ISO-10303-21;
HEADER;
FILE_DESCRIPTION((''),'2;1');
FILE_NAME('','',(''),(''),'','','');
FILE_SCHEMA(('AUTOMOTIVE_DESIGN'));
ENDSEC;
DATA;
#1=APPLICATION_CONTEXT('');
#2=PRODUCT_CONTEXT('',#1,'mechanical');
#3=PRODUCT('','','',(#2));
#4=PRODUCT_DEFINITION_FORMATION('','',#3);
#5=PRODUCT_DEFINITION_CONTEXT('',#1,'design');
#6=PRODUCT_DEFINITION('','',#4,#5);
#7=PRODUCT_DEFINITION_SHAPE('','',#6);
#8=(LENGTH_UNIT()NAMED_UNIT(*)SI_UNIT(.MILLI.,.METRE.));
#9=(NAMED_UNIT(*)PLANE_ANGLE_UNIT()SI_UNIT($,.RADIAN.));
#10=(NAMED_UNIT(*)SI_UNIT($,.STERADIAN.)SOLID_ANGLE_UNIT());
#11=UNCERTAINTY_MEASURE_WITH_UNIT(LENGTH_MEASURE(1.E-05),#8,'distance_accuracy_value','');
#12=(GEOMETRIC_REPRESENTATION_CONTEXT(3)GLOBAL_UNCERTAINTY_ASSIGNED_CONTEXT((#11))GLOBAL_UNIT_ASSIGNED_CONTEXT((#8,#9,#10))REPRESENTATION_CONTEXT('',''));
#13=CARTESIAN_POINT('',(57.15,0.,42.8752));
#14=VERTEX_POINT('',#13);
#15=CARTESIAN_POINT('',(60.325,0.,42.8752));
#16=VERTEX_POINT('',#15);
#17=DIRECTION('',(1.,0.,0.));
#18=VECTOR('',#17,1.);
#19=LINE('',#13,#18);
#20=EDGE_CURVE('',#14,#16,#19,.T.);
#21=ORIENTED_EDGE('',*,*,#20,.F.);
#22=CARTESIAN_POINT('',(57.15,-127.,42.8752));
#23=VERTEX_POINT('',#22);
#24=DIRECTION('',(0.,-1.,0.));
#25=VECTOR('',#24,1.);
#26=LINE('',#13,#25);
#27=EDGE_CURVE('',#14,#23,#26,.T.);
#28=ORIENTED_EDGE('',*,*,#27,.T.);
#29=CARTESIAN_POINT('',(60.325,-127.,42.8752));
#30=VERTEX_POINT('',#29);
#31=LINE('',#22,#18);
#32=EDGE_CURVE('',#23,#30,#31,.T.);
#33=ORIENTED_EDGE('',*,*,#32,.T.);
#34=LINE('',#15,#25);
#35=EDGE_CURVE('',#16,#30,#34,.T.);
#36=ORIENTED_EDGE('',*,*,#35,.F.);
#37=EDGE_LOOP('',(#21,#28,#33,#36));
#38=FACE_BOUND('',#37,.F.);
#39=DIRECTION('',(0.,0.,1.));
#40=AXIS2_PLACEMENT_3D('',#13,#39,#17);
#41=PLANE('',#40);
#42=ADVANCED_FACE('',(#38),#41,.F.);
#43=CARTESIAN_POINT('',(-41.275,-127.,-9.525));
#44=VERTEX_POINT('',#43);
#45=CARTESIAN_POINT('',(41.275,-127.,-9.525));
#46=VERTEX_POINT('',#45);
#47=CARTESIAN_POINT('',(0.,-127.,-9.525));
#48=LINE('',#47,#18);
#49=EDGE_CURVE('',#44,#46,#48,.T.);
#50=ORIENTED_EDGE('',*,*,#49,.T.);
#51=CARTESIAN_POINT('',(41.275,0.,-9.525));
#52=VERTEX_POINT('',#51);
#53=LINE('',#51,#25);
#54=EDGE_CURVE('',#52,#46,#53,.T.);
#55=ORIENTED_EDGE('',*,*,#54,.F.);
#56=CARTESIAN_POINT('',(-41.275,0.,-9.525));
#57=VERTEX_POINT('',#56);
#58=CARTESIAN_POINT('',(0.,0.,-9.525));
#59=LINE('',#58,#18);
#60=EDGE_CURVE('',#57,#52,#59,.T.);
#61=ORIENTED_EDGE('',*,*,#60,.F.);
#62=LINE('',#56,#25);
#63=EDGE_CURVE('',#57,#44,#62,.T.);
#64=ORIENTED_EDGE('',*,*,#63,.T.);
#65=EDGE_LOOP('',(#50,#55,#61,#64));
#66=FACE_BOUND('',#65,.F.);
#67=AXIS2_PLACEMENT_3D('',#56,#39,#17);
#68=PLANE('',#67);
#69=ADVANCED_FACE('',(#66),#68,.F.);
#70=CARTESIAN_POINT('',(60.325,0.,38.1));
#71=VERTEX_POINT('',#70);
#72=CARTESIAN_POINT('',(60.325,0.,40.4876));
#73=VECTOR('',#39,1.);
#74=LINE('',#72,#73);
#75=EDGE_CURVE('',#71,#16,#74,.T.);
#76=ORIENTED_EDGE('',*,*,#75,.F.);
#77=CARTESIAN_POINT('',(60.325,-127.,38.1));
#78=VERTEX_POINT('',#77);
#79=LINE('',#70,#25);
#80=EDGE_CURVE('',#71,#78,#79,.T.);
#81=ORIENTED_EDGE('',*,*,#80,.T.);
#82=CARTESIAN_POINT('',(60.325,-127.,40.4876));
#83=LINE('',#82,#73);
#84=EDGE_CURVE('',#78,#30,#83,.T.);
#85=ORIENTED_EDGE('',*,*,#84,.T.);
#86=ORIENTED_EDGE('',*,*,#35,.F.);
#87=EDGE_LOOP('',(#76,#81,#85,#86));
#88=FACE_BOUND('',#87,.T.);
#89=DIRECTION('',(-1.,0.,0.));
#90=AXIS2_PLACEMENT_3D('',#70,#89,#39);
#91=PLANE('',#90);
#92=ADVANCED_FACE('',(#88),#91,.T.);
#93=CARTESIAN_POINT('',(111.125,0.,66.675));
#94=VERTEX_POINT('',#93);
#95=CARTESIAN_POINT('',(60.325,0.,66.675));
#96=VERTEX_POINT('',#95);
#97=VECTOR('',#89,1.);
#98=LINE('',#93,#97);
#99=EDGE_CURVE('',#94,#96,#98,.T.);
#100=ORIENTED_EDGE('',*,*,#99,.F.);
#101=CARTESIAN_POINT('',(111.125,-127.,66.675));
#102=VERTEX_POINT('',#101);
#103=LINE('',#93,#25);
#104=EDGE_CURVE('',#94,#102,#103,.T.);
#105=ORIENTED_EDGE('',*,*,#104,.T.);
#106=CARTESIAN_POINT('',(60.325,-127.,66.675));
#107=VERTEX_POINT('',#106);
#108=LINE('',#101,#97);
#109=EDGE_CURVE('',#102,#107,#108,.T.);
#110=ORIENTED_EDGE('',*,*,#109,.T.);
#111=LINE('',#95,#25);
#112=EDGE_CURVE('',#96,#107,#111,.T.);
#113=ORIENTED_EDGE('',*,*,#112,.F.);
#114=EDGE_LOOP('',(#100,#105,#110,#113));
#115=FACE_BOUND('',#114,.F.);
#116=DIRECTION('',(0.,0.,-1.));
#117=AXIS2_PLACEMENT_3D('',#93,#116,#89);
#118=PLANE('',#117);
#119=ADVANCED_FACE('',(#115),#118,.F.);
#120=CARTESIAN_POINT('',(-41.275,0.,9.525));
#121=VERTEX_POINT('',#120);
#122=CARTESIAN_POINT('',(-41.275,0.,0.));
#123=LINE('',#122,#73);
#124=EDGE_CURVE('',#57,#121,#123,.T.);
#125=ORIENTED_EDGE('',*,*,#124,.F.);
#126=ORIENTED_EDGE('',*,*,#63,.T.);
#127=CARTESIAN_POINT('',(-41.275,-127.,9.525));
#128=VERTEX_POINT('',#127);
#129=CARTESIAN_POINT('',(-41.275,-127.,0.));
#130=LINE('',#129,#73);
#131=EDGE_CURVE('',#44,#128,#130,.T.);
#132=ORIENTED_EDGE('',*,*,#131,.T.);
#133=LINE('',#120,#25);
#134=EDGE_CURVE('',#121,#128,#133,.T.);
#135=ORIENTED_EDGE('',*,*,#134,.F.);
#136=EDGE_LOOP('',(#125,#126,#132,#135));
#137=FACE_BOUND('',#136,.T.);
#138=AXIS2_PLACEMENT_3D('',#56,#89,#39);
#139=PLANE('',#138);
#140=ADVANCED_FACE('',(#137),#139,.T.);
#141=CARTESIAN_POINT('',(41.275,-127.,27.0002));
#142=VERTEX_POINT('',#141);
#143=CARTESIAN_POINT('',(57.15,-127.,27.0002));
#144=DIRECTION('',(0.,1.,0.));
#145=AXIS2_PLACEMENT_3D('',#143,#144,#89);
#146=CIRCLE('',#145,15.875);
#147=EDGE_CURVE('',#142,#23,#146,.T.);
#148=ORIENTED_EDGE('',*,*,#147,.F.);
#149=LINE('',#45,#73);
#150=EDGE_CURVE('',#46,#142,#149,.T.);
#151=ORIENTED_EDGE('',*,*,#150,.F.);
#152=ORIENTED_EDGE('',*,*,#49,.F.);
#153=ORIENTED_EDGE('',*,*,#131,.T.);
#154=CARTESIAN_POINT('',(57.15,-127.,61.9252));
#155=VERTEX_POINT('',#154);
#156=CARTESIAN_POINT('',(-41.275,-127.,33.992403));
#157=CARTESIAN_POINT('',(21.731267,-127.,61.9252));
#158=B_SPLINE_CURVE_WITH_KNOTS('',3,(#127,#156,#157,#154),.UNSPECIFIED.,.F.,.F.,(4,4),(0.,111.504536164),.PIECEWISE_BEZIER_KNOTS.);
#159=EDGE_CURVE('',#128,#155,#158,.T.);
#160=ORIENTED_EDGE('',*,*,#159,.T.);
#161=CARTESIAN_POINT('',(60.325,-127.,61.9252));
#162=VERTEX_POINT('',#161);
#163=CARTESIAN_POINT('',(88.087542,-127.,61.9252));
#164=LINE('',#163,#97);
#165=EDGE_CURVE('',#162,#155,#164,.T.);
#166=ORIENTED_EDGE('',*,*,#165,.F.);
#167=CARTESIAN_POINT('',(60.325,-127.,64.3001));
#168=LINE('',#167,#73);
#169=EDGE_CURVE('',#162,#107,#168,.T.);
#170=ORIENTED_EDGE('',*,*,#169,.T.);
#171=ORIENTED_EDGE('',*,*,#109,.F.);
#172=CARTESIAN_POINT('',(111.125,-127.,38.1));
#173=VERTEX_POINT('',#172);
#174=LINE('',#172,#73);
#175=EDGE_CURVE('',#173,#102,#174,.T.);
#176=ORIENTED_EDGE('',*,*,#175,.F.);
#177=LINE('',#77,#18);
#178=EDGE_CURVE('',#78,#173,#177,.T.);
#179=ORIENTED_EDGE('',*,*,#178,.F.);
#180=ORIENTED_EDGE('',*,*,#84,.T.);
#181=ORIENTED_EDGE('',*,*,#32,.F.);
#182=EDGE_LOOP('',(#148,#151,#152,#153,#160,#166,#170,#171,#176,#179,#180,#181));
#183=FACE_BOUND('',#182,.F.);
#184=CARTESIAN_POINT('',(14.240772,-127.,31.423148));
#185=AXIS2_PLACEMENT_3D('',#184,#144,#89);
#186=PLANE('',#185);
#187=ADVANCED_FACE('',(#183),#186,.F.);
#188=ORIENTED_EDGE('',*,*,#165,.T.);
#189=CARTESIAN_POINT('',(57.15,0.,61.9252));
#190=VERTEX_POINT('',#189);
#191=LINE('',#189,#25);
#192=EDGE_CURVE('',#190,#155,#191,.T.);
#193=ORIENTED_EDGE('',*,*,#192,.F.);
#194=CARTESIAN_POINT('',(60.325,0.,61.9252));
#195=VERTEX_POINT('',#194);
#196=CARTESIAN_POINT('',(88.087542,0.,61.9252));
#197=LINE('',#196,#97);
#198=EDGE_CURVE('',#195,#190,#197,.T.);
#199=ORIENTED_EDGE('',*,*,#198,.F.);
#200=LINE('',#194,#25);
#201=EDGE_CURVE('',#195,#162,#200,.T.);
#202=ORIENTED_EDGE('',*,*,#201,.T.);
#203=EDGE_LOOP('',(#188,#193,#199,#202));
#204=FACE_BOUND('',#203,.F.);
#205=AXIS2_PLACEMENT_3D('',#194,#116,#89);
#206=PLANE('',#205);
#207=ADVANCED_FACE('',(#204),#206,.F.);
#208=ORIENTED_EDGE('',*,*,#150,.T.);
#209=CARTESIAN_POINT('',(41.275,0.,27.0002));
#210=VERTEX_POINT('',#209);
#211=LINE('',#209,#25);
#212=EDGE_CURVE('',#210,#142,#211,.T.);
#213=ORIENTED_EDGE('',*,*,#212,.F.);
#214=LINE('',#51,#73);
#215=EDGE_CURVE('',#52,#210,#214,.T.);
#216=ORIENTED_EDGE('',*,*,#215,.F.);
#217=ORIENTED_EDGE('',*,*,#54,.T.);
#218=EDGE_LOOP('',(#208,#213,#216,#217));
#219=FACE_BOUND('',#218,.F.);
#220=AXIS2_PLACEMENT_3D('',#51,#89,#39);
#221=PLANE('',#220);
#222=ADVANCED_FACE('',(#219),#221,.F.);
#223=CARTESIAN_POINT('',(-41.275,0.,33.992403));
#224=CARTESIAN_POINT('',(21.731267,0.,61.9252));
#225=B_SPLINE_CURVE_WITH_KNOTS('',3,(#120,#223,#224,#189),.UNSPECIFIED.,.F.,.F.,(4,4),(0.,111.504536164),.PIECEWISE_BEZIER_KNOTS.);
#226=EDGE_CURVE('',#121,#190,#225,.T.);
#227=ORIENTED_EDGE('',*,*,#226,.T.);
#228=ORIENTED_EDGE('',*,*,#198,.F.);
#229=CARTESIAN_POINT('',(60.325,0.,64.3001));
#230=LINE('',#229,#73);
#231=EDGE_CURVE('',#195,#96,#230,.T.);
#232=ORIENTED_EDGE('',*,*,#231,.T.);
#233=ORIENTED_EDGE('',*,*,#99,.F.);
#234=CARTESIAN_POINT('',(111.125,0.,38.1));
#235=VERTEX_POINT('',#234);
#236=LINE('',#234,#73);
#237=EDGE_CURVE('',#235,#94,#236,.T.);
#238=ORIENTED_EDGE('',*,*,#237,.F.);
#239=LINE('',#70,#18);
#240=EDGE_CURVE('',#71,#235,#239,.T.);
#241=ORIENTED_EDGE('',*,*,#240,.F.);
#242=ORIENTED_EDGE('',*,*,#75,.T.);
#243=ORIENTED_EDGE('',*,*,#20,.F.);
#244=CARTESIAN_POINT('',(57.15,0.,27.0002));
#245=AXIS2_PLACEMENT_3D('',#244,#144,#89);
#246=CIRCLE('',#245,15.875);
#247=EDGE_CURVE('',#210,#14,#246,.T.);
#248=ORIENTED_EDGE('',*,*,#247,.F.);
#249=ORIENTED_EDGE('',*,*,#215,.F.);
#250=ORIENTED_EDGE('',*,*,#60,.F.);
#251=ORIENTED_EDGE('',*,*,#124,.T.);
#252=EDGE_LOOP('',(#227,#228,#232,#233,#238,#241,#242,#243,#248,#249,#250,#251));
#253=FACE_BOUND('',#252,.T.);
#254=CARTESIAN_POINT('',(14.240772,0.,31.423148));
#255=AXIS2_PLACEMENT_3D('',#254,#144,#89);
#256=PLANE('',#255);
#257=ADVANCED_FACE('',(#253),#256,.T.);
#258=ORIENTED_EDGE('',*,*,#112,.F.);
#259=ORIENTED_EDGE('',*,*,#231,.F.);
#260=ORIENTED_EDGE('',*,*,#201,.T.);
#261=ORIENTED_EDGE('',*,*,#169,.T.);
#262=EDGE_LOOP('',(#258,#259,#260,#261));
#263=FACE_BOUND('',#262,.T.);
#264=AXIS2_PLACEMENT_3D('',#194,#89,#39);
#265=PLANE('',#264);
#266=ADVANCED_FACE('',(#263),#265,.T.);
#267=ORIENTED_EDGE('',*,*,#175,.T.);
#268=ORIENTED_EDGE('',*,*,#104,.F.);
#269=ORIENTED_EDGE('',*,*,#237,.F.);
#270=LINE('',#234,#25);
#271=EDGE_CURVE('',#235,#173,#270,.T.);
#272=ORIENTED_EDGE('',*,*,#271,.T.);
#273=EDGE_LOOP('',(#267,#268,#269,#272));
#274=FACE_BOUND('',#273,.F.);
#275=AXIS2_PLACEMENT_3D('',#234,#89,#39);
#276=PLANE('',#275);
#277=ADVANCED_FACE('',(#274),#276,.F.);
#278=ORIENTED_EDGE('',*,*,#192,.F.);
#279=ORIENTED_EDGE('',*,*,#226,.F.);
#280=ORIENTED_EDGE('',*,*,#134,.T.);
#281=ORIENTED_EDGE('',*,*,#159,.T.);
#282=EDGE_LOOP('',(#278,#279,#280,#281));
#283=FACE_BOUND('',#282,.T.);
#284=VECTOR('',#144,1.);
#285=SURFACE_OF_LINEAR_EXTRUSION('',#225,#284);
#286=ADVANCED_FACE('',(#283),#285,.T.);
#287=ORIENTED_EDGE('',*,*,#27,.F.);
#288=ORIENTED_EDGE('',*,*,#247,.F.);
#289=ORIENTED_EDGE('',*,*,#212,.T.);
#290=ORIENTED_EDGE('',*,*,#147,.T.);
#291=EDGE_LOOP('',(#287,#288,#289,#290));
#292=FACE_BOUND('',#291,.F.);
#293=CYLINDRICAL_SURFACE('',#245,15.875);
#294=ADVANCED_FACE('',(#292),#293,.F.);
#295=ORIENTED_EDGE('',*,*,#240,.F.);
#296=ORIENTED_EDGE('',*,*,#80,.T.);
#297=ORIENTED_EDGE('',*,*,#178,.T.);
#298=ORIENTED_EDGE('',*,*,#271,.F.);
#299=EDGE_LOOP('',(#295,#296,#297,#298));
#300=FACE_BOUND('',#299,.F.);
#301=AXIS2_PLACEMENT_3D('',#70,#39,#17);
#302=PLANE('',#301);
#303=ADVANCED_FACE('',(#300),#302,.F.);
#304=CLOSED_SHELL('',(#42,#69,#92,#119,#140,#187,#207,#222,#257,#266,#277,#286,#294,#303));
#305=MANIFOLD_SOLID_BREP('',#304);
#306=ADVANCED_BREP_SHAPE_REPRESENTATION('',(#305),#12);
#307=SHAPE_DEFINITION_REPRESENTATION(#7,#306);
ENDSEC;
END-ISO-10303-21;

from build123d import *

# Parameters (mm, degrees)
F0_W     = 82.55
F0_H     = 19.05
F0_W_2   = 27.7625424093
F0_H_2   = 4.7498
F0_H_3   = 4.7752
F1_DEPTH = 127


with BuildPart() as f1:
    # F0 (on Front) → F1 (new body)
    with BuildSketch(Plane.XZ):
        with BuildLine():
            add(Edge.make_bspline(
                [(-41.275, 9.525), (-41.275, 33.9924029201), (21.7312667782, 61.9252), (57.15, 61.9252)],
                knots=[0, 0, 0, 0, 111.5045361635, 111.5045361635, 111.5045361635, 111.5045361635], degree=3))
            Line((-41.275, 9.525), (41.275, 9.525))
            Line((41.275, 9.525), (41.275, 27.0002))
            ThreePointArc((41.275, 27.0002), (45.9246798487, 38.2255201513), (57.15, 42.8752))
            Line((57.15, 42.8752), (60.325, 42.8752))
            Line((60.325, 42.8752), (60.325, 61.9252))
            Line((60.325, 61.9252), (57.15, 61.9252))
        make_face()
        Rectangle(F0_W, F0_H)
        with Locations((74.2062712047, 52.4002)):
            Rectangle(F0_W_2, F0_H)
        with Locations((74.2062712047, 64.3001)):
            Rectangle(F0_W_2, F0_H_2)
        with Locations((74.2062712047, 40.4876)):
            Rectangle(F0_W_2, F0_H_3)
        Polygon((88.0875424093, 66.675), (88.0875424093, 61.9252), (88.0875424093, 42.8752), (88.0875424093, 38.1), (111.125, 38.1), (111.125, 66.675), align=None)
    extrude(amount=F1_DEPTH)


solid = f1.part
